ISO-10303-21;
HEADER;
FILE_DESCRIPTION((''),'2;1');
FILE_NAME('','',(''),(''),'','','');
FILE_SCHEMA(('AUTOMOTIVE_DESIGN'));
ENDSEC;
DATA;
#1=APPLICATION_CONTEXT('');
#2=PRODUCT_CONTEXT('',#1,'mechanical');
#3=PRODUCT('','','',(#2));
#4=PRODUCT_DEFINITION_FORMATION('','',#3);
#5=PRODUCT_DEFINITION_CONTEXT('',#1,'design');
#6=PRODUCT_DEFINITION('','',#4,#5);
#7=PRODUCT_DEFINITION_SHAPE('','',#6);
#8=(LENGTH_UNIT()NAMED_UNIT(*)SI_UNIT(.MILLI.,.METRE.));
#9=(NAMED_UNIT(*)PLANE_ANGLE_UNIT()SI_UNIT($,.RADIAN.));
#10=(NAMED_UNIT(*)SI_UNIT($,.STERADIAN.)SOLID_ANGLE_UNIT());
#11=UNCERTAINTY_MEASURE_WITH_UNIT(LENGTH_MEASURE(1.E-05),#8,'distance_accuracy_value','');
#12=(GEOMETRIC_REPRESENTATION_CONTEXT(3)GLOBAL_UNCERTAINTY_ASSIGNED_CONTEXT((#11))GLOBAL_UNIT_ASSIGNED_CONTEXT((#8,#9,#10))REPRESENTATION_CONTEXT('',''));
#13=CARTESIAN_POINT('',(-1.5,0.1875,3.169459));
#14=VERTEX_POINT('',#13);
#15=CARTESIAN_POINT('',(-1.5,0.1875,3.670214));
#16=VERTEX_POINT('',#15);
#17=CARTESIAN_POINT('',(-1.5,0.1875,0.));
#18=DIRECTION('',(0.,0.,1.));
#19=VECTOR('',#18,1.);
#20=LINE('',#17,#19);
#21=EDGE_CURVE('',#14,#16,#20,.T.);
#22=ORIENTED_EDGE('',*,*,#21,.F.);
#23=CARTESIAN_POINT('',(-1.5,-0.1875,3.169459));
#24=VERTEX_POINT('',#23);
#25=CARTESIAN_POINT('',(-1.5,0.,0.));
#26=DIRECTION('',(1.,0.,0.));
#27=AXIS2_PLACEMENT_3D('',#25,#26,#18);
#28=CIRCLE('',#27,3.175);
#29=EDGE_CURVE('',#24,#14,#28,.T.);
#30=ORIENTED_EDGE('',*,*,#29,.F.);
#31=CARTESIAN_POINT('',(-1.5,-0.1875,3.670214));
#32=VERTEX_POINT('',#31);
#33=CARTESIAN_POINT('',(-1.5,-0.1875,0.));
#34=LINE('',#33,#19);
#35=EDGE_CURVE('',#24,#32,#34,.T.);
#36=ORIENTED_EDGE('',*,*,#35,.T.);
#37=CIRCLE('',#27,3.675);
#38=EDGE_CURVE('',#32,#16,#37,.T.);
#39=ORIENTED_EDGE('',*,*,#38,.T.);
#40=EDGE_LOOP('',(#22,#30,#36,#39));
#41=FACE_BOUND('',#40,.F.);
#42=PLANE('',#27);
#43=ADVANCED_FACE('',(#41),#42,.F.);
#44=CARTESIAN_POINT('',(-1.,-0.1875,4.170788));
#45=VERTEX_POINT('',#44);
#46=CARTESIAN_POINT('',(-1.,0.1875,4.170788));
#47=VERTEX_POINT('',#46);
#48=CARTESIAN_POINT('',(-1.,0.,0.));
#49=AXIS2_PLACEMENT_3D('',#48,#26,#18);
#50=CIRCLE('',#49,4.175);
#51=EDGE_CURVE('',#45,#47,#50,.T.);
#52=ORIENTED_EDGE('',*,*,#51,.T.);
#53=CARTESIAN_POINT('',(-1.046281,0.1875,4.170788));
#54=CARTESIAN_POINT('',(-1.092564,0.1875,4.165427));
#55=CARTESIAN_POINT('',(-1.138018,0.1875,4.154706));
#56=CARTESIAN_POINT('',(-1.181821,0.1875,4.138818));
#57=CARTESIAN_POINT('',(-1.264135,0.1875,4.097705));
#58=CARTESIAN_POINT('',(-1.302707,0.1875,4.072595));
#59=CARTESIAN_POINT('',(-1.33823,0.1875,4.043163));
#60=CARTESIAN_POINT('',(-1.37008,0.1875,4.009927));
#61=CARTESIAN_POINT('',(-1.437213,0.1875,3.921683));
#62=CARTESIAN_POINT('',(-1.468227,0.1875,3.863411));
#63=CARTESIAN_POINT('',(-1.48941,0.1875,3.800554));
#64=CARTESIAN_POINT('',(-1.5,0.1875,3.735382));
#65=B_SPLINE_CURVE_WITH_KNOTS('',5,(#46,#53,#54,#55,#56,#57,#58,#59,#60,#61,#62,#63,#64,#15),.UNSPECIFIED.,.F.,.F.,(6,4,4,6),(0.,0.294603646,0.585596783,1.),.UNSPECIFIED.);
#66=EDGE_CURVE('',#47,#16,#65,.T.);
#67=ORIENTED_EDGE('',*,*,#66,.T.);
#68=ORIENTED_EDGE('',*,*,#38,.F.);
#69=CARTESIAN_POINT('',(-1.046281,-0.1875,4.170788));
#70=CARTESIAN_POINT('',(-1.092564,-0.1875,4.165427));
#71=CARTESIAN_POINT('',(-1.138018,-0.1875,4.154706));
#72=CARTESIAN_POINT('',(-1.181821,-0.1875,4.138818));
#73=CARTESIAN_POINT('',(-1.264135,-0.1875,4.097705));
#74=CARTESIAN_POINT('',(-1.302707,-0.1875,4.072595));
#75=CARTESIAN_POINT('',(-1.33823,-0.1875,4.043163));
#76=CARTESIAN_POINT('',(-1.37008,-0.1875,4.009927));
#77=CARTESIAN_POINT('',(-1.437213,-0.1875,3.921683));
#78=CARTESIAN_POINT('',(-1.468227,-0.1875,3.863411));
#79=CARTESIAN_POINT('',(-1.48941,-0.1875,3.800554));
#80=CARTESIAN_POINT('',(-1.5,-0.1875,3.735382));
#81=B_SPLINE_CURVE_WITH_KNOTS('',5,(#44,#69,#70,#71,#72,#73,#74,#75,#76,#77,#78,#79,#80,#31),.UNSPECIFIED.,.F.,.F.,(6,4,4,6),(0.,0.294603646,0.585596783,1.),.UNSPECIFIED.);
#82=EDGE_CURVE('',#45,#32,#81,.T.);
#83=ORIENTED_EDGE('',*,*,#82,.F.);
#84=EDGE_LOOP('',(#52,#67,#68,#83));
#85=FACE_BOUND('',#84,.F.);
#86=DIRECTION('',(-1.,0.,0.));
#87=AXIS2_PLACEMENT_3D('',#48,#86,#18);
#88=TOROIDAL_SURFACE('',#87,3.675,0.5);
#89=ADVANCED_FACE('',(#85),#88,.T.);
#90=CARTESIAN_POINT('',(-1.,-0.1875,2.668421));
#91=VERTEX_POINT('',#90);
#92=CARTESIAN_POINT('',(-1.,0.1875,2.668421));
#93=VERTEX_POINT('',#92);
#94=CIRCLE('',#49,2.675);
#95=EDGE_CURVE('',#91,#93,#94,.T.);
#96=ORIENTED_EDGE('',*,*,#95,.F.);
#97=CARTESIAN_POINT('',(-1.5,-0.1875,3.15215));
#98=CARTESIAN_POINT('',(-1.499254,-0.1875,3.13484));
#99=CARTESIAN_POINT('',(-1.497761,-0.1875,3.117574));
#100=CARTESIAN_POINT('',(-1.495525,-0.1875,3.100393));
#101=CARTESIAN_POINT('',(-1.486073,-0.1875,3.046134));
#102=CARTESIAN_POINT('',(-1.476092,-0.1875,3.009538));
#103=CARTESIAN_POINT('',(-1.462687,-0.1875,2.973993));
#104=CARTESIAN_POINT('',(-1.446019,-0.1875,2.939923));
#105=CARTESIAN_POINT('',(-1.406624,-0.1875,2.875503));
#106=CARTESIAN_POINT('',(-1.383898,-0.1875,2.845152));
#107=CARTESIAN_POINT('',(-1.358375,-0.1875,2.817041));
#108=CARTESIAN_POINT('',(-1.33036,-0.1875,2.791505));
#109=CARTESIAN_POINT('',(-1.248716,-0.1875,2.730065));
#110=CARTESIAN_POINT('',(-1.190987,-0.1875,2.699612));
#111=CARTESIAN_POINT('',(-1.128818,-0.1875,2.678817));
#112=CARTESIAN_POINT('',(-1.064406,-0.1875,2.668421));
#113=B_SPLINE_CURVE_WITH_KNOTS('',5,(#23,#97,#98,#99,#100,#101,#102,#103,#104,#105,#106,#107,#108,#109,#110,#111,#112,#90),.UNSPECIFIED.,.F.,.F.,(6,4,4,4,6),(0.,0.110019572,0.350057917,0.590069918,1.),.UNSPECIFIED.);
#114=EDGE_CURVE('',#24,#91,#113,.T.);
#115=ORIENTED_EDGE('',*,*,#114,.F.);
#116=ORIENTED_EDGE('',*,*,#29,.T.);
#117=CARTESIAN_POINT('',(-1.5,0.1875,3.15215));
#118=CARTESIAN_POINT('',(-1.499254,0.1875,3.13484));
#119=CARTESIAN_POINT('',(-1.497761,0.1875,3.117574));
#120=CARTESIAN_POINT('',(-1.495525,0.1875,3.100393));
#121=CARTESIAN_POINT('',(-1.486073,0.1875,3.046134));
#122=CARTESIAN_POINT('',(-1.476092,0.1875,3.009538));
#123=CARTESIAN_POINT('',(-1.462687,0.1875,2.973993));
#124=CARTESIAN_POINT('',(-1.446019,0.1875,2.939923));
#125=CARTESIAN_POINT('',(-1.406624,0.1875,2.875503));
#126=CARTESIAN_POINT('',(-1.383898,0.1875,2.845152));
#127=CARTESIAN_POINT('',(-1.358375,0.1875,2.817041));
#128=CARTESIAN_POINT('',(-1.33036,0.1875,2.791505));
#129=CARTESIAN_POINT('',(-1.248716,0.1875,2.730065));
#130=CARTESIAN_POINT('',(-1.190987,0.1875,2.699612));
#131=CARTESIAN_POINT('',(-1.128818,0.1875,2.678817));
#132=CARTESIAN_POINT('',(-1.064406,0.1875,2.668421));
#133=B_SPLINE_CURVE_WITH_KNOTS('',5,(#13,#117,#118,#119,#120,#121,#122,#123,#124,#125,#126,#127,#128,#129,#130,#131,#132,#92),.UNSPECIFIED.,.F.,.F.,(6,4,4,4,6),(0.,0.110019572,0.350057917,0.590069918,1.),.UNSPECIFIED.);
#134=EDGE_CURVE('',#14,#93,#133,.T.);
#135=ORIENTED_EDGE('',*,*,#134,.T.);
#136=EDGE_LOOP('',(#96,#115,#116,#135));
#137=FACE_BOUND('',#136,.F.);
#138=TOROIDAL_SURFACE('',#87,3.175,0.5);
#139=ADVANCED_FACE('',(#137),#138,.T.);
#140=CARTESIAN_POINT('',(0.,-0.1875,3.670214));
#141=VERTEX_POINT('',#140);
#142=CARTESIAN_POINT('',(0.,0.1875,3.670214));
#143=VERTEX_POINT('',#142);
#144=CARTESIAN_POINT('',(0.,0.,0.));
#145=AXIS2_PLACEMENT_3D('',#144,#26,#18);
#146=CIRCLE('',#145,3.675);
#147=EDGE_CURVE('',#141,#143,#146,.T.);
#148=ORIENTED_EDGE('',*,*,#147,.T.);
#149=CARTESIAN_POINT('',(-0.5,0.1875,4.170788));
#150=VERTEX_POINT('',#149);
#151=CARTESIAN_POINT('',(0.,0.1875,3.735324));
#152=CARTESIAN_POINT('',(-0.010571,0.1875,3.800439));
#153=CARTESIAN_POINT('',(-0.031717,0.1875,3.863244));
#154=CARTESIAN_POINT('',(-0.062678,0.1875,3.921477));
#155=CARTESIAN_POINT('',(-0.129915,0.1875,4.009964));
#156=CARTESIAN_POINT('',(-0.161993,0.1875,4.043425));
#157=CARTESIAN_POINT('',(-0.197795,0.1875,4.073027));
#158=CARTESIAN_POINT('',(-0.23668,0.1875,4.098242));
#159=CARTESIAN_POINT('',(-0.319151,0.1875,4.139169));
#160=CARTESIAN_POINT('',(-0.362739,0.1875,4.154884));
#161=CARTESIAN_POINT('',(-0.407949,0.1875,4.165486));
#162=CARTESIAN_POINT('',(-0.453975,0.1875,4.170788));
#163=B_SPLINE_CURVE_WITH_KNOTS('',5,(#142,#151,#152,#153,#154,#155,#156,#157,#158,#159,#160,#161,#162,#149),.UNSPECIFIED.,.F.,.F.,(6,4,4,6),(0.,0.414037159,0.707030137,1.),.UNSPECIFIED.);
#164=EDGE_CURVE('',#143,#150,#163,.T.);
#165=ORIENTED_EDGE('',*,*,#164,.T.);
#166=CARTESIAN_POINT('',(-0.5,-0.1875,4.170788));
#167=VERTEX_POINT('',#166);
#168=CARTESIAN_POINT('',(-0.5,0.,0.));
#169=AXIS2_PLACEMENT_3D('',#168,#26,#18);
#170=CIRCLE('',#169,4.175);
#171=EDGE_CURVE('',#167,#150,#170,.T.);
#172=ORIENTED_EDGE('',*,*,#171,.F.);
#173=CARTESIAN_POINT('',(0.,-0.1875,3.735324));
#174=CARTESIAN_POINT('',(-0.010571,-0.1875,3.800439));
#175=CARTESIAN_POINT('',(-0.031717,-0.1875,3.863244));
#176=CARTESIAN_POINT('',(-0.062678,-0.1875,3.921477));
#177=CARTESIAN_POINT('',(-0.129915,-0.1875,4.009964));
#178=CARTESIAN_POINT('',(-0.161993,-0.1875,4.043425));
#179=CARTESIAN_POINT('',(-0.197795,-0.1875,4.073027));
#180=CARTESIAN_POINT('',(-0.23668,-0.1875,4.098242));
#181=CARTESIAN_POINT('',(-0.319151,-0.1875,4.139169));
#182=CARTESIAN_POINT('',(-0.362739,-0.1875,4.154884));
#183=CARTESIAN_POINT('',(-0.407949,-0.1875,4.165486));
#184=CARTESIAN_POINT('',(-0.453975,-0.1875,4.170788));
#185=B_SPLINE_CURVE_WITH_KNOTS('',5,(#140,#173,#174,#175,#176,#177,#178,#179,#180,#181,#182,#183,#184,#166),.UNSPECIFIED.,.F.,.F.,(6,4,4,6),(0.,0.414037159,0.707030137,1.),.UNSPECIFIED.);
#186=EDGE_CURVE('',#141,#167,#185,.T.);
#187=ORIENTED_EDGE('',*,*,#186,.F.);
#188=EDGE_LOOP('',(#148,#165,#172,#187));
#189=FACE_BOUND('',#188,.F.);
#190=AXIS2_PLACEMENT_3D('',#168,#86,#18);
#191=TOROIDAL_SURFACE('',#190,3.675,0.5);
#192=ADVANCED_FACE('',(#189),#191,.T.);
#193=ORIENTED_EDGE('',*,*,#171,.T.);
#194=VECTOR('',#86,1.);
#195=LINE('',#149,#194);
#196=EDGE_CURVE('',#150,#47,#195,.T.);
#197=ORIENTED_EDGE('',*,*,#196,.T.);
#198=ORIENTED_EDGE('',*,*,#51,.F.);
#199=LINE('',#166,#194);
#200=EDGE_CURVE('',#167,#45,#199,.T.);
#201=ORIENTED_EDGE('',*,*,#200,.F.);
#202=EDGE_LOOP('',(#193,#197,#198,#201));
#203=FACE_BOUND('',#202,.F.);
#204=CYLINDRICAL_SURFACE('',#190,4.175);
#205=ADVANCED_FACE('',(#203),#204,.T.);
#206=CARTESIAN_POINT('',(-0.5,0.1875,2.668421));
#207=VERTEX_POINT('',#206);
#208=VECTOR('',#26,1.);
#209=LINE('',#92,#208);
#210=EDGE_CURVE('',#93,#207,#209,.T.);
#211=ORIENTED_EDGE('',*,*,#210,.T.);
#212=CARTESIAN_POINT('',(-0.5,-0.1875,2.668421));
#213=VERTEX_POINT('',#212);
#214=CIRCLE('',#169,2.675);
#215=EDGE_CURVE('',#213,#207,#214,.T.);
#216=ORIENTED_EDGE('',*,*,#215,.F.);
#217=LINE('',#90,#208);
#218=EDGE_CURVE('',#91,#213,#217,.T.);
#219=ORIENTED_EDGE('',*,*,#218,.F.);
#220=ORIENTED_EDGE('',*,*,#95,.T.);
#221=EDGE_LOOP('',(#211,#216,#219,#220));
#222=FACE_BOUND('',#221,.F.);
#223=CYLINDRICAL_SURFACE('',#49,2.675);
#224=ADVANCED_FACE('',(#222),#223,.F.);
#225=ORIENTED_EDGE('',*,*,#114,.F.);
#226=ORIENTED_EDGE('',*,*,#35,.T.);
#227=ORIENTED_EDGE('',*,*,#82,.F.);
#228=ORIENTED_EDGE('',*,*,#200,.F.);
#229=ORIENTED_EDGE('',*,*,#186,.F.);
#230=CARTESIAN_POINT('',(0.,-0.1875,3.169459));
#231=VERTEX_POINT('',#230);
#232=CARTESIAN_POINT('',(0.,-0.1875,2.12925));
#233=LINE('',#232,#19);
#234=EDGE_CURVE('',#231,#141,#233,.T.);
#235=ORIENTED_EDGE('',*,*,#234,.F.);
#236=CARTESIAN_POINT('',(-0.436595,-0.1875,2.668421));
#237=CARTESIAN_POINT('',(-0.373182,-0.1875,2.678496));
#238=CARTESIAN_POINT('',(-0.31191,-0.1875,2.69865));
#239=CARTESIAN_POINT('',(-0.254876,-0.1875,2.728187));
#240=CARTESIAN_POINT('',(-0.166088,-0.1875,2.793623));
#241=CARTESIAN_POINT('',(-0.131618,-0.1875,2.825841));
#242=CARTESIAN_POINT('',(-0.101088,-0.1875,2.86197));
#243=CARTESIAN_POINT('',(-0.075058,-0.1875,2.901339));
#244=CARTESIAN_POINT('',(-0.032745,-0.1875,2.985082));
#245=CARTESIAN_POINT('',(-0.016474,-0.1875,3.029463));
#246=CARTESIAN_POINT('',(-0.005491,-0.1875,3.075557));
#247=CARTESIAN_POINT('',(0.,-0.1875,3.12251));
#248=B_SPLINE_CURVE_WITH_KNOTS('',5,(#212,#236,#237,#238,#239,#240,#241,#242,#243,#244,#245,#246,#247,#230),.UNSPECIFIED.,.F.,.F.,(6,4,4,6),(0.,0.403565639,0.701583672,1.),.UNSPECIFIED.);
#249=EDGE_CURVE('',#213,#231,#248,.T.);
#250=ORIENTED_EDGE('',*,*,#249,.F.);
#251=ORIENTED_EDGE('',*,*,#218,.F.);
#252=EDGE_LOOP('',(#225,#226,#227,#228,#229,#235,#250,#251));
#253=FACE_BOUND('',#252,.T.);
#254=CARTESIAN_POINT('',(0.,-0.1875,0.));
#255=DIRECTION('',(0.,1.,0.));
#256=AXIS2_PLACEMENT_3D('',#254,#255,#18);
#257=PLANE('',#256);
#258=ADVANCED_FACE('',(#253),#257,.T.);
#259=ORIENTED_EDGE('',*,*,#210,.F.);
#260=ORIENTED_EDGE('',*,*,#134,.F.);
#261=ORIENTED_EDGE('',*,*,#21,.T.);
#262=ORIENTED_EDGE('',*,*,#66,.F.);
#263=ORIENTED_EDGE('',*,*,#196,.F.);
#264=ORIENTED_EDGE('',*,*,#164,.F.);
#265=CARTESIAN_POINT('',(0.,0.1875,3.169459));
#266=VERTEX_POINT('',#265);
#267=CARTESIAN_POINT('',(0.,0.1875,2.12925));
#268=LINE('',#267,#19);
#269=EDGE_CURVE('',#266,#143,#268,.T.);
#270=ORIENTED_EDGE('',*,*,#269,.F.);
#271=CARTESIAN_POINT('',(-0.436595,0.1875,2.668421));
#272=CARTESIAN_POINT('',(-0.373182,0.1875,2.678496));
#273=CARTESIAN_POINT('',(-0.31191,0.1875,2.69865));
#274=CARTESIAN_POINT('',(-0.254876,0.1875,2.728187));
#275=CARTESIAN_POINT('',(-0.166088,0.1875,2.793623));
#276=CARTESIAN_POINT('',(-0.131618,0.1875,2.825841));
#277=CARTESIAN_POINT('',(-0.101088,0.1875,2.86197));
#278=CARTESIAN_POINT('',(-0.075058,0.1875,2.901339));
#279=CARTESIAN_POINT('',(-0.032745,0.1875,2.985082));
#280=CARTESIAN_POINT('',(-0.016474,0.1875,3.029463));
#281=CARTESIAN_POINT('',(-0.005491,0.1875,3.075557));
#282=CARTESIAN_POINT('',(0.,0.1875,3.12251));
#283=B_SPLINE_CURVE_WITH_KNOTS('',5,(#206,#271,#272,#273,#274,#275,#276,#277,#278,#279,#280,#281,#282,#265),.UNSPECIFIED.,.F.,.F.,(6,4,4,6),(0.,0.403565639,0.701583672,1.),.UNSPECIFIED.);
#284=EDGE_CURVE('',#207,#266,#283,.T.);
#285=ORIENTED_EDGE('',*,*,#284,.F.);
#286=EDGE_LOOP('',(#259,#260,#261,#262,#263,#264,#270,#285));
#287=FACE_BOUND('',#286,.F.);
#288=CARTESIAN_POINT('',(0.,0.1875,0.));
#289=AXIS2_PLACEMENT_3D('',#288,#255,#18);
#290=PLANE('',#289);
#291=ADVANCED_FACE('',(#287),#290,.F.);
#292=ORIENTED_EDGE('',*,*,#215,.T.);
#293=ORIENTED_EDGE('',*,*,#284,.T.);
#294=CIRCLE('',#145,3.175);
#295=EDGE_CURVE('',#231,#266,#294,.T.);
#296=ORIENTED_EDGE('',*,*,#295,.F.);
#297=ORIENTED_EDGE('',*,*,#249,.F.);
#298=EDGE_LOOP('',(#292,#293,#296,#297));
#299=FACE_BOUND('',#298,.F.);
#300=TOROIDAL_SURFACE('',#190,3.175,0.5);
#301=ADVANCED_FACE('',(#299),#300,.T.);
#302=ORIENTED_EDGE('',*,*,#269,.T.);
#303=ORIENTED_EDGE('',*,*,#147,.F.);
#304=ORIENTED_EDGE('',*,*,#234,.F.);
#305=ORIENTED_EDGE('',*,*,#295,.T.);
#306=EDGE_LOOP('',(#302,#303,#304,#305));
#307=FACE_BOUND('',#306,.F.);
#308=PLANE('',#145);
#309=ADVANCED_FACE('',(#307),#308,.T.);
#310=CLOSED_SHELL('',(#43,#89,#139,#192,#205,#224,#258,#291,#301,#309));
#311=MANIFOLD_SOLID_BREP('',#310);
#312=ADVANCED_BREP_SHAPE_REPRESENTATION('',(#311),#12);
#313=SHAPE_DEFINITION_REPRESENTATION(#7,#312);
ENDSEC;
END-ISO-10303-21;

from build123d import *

# Parameters (mm, degrees)
SKETCH2_W = 0.375
SKETCH2_H = 4.2585
GAP_DEPTH = 7.091900429


with BuildPart() as part:
    # Sketch1 → Base-Revolve (revolve)
    with BuildSketch(Plane.XY, mode=Mode.PRIVATE) as base_revolve_sk:
        with BuildLine():
            Line((0, 3.175), (0, 3.675))
            ThreePointArc((0, 3.675), (-0.146446609, 4.028553391), (-0.5, 4.175))
            Line((-0.5, 4.175), (-1, 4.175))
            ThreePointArc((-1, 4.175), (-1.353553391, 4.028553391), (-1.5, 3.675))
            Line((-1.5, 3.675), (-1.5, 3.175))
            ThreePointArc((-1.5, 3.175), (-1.353553391, 2.821446609), (-1, 2.675))
            Line((-1, 2.675), (-0.5, 2.675))
            ThreePointArc((-0.5, 2.675), (-0.146446609, 2.821446609), (0, 3.175))
        make_face()
    revolve(base_revolve_sk.sketch.rotate(Axis((-34.925, 0, 0), (1, 0, 0)), 90), axis=Axis((-34.925, 0, 0), (1, 0, 0)))

    # Sketch2 → Gap (cut, through all)
    with BuildSketch(Plane(origin=(0, 0, 0), x_dir=(0, -1, 0), z_dir=(-1, 0, 0))):
        with Locations((0, 2.12925)):
            Rectangle(SKETCH2_W, SKETCH2_H)
    extrude(amount=GAP_DEPTH, mode=Mode.SUBTRACT)


solid = part.part
